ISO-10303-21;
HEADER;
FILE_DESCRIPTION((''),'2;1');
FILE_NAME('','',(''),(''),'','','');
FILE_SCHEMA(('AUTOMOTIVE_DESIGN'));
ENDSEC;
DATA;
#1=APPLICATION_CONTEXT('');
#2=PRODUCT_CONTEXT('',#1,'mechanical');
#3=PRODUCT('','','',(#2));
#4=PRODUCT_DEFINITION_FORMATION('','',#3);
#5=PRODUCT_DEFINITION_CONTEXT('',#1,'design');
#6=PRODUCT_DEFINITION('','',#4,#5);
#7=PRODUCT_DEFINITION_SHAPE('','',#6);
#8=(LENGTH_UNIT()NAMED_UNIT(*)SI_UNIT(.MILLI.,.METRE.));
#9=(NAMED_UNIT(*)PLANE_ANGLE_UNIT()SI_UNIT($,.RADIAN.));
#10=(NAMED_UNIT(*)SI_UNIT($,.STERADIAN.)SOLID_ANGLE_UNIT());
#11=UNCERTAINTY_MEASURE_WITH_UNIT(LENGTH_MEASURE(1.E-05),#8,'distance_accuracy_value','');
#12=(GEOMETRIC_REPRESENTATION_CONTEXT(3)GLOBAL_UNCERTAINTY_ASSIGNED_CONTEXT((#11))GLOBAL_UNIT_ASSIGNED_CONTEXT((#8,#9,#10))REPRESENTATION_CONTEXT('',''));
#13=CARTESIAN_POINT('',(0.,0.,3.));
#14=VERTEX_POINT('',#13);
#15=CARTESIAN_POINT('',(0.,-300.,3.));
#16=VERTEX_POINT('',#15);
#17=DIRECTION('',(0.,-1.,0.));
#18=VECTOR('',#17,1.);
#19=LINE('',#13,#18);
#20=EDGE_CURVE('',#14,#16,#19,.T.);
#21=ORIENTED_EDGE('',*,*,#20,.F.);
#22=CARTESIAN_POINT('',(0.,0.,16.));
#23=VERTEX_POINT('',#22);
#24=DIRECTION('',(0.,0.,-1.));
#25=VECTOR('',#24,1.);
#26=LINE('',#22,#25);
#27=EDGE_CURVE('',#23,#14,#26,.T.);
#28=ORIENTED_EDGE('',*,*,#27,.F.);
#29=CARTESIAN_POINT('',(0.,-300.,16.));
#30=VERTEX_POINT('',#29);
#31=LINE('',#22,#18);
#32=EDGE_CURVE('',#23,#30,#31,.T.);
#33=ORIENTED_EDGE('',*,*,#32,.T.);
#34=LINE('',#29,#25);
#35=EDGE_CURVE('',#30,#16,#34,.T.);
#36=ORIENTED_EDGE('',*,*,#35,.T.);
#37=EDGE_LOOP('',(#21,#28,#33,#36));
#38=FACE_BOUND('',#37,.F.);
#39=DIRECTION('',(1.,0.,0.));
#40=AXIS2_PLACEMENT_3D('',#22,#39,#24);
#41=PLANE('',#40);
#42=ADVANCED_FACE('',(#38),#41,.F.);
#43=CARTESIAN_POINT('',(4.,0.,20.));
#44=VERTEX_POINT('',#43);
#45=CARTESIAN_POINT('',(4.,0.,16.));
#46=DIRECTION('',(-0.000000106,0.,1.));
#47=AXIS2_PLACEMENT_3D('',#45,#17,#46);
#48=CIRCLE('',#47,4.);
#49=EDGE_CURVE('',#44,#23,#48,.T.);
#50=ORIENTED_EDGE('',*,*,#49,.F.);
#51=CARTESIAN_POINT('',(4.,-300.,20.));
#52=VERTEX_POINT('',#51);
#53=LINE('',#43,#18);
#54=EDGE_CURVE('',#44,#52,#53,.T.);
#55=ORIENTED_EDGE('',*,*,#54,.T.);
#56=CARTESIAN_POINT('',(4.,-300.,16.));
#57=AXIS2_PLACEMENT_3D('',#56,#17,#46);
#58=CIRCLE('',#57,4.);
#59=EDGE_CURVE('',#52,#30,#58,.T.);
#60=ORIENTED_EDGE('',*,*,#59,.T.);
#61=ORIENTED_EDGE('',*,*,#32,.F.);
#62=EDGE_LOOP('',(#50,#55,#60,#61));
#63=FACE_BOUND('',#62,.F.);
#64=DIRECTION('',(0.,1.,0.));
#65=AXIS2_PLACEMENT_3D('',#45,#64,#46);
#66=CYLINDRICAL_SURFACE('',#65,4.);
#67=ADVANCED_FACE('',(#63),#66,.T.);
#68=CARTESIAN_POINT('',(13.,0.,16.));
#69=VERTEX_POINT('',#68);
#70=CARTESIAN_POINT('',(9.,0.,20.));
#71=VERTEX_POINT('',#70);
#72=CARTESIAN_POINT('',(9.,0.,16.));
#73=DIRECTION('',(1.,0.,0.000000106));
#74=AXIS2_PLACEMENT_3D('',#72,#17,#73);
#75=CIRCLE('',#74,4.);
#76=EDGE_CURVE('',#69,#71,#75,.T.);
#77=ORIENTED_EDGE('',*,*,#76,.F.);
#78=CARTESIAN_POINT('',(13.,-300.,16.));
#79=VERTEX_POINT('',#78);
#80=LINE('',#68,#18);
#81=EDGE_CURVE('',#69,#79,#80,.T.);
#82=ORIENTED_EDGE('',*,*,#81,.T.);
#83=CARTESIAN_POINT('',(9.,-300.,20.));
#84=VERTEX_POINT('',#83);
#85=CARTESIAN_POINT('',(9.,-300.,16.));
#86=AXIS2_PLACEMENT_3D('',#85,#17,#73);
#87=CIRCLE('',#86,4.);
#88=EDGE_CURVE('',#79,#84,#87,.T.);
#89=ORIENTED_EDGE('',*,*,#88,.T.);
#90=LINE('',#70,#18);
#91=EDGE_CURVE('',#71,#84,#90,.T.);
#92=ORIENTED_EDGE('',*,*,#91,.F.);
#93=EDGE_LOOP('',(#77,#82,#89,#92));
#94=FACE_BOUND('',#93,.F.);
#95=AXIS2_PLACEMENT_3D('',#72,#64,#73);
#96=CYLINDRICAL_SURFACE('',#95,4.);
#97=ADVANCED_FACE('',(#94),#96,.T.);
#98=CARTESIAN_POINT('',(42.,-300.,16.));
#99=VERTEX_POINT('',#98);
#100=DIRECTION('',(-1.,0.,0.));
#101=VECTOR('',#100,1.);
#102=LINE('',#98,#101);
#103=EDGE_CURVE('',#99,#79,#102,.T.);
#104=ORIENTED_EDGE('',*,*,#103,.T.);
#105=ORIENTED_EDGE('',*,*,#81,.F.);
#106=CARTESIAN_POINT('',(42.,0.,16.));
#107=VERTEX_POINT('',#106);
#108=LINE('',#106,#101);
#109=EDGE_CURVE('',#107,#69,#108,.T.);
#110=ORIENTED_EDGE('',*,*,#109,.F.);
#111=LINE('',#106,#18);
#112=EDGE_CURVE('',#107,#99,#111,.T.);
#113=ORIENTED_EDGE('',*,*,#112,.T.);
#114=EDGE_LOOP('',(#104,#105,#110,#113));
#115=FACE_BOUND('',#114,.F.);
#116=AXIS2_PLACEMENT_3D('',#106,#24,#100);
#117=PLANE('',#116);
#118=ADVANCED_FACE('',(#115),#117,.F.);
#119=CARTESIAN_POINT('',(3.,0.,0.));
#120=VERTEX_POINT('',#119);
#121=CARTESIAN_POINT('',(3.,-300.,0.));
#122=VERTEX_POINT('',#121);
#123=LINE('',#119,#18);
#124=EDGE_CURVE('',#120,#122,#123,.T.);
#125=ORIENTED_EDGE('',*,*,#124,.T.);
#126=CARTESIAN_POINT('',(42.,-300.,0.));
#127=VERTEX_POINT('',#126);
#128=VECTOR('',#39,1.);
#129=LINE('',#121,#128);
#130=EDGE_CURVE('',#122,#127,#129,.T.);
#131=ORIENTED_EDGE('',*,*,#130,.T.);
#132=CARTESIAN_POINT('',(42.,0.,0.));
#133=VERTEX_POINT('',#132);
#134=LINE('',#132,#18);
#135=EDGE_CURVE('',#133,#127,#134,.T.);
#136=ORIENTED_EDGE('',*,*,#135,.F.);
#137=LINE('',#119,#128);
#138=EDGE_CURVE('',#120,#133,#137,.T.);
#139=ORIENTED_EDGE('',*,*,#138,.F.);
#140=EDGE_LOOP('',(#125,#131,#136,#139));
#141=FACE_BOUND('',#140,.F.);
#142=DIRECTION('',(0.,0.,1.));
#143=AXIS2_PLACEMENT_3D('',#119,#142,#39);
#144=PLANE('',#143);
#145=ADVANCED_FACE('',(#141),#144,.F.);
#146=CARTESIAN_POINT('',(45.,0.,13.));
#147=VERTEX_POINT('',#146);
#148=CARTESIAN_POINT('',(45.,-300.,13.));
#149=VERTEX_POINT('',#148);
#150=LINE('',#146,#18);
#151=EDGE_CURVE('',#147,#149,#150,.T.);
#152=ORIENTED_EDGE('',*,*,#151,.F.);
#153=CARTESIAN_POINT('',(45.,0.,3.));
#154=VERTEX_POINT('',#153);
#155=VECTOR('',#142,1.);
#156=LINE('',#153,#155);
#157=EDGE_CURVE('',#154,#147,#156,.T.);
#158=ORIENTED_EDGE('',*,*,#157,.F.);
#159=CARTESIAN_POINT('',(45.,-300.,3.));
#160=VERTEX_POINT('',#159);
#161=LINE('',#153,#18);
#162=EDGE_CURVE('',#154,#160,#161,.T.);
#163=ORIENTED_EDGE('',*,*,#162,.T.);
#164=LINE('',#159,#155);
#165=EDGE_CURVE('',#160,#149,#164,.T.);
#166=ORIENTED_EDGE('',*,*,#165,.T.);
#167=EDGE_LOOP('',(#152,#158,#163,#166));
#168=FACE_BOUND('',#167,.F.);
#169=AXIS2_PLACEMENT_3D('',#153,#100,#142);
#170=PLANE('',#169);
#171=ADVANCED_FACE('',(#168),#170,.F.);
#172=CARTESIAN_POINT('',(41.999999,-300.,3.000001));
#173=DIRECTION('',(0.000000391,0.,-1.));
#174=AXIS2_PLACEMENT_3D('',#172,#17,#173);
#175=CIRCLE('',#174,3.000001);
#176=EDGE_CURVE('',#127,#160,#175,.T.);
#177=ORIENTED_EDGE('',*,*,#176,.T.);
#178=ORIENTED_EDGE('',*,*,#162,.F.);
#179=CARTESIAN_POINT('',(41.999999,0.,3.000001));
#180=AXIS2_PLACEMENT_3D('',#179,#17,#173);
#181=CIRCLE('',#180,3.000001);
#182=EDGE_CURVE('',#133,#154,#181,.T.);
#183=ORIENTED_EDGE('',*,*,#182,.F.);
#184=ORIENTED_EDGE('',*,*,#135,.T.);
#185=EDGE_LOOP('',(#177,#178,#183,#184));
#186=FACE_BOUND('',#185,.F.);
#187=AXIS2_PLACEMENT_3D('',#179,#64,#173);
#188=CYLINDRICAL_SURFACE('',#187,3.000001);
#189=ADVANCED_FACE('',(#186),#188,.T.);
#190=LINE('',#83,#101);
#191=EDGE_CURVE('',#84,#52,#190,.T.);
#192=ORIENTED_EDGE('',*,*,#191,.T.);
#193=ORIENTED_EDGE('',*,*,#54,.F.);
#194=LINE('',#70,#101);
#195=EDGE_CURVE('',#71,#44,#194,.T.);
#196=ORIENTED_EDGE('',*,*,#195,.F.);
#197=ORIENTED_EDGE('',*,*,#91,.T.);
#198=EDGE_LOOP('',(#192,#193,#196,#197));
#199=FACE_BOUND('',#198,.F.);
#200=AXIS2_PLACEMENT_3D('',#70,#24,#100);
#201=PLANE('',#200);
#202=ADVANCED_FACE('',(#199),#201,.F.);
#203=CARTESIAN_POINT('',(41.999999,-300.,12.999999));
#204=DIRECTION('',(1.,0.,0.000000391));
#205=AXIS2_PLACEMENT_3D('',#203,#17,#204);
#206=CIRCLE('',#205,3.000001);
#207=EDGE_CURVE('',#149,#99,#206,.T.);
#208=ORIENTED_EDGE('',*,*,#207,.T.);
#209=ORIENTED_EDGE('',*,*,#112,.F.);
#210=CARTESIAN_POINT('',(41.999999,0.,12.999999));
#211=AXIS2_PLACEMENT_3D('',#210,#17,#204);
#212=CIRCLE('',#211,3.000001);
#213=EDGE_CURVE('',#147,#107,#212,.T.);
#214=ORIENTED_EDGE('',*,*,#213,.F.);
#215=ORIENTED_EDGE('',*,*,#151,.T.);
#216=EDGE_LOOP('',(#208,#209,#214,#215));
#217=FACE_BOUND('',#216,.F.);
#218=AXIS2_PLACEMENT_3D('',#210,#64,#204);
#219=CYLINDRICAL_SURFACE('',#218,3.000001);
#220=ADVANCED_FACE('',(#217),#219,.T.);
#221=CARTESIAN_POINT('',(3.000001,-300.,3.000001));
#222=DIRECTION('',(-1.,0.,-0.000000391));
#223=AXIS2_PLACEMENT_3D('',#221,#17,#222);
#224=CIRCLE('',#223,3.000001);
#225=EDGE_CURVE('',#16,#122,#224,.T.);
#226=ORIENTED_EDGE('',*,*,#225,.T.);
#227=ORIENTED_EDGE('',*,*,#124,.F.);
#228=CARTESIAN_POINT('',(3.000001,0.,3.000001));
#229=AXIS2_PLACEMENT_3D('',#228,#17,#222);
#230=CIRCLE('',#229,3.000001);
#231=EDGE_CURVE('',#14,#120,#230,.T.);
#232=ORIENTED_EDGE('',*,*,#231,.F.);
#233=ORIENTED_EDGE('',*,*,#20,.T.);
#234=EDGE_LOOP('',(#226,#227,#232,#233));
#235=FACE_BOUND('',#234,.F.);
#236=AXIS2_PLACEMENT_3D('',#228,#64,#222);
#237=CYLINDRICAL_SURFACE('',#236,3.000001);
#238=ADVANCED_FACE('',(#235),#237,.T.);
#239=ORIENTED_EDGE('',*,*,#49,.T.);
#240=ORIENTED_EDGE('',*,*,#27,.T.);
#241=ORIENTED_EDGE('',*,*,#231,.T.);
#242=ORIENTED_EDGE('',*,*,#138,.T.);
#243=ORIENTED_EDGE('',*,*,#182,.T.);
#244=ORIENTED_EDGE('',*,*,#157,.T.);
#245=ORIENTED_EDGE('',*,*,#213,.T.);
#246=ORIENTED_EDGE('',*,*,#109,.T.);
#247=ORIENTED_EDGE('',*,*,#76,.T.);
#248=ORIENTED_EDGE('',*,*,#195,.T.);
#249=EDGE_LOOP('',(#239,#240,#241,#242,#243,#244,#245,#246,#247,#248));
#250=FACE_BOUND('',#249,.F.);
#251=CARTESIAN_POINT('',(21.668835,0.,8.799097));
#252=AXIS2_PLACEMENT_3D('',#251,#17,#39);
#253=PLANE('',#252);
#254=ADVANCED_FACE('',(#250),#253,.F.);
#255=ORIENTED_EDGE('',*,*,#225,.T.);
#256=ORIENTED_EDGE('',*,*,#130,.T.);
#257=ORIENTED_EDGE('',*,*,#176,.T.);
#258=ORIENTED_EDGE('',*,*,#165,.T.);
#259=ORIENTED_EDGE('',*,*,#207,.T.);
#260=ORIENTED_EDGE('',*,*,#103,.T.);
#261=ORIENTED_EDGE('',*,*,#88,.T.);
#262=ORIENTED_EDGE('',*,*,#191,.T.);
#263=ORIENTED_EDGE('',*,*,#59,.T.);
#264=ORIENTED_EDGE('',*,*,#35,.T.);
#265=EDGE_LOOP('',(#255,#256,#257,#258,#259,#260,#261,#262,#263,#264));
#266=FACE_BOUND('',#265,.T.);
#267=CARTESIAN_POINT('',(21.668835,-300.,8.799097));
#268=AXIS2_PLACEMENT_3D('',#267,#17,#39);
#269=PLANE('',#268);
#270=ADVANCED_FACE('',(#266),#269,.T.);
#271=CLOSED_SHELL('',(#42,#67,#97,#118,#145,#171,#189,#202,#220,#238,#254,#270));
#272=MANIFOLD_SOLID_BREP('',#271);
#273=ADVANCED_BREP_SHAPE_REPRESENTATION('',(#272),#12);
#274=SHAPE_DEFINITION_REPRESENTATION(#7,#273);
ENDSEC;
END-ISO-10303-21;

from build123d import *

# Parameters (mm, degrees)
F1_DEPTH = 300


with BuildPart() as f1:
    # F0 (on Front) → F1 (new body)
    with BuildSketch(Plane.XZ):
        with BuildLine():
            ThreePointArc((0, 3), (0.87868, 0.87868), (3, 0))
            Line((3, 0), (42, 0))
            ThreePointArc((42, 0), (44.12132, 0.87868), (45, 3))
            Line((45, 3), (45, 13))
            ThreePointArc((45, 13), (44.12132, 15.12132), (42, 16))
            Line((42, 16), (13, 16))
            ThreePointArc((13, 16), (11.828427, 18.828427), (9, 20))
            Line((9, 20), (4, 20))
            ThreePointArc((4, 20), (1.171573, 18.828427), (0, 16))
            Line((0, 16), (0, 3))
        make_face()
    extrude(amount=F1_DEPTH)


solid = f1.part
